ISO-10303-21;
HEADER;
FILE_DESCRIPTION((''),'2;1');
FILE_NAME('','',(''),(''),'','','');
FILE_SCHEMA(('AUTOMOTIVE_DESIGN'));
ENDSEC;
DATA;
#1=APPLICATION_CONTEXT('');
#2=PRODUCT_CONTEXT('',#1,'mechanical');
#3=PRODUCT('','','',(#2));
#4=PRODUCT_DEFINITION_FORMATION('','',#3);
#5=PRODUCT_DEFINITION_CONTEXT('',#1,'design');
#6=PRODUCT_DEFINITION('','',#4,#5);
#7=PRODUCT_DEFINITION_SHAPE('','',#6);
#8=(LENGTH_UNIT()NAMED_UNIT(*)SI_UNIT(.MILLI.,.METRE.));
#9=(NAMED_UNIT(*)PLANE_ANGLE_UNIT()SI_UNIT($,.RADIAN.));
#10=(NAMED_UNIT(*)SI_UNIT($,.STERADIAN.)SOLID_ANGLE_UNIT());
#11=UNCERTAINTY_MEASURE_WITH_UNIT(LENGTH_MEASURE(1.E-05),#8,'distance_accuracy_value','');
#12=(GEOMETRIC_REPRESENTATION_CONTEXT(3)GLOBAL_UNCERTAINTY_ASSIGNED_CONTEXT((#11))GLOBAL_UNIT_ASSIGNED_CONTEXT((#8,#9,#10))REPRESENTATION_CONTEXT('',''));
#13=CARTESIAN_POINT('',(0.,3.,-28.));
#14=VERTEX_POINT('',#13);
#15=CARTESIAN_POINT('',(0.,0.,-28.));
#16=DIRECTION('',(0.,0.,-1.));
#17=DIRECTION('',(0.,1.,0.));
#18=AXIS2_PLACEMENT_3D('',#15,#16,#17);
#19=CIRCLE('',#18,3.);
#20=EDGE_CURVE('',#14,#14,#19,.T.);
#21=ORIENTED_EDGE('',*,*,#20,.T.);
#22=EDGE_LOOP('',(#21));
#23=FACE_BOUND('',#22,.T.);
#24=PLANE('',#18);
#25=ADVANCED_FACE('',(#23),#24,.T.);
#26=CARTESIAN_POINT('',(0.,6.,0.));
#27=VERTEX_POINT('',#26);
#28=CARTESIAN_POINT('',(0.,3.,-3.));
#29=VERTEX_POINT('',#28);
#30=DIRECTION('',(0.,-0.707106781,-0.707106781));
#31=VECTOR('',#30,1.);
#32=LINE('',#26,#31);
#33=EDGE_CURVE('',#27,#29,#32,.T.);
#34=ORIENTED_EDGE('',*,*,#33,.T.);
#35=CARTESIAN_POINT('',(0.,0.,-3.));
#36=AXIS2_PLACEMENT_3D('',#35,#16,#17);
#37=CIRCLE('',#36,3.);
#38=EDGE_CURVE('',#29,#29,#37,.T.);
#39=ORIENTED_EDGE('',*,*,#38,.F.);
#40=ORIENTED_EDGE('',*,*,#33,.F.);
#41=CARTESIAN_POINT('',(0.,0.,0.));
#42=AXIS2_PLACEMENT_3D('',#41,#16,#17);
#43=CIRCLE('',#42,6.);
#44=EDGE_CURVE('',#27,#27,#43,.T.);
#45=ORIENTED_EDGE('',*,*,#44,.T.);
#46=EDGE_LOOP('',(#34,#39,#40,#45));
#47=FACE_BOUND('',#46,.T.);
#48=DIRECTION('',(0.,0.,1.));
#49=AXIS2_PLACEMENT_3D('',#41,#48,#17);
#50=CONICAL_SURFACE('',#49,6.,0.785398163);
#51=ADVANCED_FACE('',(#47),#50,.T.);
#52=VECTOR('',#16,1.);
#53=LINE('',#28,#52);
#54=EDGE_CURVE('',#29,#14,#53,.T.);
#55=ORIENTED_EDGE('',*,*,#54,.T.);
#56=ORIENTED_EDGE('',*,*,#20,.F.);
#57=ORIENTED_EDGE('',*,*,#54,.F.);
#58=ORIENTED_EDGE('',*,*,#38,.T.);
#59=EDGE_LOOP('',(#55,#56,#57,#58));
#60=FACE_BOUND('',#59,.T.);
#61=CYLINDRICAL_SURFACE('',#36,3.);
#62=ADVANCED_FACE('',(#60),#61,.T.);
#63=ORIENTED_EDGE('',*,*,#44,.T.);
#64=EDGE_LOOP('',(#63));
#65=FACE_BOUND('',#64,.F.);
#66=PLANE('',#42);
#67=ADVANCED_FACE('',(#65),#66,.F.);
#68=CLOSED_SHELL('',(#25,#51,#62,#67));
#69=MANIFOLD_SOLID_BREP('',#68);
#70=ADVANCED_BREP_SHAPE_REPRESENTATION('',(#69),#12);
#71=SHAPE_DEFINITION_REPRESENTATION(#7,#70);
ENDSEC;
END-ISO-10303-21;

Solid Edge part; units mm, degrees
sketch "Sketch1" plane through (0, 0, 0) normal (-1, 0, 0) x (0, -1, 0)
  line L0 (-6, 0) -> (-3, -3)
  line L1 (-3, -3) -> (-3, -28)
  line L2 (-3, -28) -> (0, -28)
  line L3 (-6, 0) -> (0, 0)
  dimension "D1" = 3
  dimension "D2" = 6
  dimension "D3" = 28
revolve "RevolvedProtrusion1" add sketch "Sketch1" angle 360 about axis through (0, 0, 0) along (0, 0, -1)
properties material "Steel"
